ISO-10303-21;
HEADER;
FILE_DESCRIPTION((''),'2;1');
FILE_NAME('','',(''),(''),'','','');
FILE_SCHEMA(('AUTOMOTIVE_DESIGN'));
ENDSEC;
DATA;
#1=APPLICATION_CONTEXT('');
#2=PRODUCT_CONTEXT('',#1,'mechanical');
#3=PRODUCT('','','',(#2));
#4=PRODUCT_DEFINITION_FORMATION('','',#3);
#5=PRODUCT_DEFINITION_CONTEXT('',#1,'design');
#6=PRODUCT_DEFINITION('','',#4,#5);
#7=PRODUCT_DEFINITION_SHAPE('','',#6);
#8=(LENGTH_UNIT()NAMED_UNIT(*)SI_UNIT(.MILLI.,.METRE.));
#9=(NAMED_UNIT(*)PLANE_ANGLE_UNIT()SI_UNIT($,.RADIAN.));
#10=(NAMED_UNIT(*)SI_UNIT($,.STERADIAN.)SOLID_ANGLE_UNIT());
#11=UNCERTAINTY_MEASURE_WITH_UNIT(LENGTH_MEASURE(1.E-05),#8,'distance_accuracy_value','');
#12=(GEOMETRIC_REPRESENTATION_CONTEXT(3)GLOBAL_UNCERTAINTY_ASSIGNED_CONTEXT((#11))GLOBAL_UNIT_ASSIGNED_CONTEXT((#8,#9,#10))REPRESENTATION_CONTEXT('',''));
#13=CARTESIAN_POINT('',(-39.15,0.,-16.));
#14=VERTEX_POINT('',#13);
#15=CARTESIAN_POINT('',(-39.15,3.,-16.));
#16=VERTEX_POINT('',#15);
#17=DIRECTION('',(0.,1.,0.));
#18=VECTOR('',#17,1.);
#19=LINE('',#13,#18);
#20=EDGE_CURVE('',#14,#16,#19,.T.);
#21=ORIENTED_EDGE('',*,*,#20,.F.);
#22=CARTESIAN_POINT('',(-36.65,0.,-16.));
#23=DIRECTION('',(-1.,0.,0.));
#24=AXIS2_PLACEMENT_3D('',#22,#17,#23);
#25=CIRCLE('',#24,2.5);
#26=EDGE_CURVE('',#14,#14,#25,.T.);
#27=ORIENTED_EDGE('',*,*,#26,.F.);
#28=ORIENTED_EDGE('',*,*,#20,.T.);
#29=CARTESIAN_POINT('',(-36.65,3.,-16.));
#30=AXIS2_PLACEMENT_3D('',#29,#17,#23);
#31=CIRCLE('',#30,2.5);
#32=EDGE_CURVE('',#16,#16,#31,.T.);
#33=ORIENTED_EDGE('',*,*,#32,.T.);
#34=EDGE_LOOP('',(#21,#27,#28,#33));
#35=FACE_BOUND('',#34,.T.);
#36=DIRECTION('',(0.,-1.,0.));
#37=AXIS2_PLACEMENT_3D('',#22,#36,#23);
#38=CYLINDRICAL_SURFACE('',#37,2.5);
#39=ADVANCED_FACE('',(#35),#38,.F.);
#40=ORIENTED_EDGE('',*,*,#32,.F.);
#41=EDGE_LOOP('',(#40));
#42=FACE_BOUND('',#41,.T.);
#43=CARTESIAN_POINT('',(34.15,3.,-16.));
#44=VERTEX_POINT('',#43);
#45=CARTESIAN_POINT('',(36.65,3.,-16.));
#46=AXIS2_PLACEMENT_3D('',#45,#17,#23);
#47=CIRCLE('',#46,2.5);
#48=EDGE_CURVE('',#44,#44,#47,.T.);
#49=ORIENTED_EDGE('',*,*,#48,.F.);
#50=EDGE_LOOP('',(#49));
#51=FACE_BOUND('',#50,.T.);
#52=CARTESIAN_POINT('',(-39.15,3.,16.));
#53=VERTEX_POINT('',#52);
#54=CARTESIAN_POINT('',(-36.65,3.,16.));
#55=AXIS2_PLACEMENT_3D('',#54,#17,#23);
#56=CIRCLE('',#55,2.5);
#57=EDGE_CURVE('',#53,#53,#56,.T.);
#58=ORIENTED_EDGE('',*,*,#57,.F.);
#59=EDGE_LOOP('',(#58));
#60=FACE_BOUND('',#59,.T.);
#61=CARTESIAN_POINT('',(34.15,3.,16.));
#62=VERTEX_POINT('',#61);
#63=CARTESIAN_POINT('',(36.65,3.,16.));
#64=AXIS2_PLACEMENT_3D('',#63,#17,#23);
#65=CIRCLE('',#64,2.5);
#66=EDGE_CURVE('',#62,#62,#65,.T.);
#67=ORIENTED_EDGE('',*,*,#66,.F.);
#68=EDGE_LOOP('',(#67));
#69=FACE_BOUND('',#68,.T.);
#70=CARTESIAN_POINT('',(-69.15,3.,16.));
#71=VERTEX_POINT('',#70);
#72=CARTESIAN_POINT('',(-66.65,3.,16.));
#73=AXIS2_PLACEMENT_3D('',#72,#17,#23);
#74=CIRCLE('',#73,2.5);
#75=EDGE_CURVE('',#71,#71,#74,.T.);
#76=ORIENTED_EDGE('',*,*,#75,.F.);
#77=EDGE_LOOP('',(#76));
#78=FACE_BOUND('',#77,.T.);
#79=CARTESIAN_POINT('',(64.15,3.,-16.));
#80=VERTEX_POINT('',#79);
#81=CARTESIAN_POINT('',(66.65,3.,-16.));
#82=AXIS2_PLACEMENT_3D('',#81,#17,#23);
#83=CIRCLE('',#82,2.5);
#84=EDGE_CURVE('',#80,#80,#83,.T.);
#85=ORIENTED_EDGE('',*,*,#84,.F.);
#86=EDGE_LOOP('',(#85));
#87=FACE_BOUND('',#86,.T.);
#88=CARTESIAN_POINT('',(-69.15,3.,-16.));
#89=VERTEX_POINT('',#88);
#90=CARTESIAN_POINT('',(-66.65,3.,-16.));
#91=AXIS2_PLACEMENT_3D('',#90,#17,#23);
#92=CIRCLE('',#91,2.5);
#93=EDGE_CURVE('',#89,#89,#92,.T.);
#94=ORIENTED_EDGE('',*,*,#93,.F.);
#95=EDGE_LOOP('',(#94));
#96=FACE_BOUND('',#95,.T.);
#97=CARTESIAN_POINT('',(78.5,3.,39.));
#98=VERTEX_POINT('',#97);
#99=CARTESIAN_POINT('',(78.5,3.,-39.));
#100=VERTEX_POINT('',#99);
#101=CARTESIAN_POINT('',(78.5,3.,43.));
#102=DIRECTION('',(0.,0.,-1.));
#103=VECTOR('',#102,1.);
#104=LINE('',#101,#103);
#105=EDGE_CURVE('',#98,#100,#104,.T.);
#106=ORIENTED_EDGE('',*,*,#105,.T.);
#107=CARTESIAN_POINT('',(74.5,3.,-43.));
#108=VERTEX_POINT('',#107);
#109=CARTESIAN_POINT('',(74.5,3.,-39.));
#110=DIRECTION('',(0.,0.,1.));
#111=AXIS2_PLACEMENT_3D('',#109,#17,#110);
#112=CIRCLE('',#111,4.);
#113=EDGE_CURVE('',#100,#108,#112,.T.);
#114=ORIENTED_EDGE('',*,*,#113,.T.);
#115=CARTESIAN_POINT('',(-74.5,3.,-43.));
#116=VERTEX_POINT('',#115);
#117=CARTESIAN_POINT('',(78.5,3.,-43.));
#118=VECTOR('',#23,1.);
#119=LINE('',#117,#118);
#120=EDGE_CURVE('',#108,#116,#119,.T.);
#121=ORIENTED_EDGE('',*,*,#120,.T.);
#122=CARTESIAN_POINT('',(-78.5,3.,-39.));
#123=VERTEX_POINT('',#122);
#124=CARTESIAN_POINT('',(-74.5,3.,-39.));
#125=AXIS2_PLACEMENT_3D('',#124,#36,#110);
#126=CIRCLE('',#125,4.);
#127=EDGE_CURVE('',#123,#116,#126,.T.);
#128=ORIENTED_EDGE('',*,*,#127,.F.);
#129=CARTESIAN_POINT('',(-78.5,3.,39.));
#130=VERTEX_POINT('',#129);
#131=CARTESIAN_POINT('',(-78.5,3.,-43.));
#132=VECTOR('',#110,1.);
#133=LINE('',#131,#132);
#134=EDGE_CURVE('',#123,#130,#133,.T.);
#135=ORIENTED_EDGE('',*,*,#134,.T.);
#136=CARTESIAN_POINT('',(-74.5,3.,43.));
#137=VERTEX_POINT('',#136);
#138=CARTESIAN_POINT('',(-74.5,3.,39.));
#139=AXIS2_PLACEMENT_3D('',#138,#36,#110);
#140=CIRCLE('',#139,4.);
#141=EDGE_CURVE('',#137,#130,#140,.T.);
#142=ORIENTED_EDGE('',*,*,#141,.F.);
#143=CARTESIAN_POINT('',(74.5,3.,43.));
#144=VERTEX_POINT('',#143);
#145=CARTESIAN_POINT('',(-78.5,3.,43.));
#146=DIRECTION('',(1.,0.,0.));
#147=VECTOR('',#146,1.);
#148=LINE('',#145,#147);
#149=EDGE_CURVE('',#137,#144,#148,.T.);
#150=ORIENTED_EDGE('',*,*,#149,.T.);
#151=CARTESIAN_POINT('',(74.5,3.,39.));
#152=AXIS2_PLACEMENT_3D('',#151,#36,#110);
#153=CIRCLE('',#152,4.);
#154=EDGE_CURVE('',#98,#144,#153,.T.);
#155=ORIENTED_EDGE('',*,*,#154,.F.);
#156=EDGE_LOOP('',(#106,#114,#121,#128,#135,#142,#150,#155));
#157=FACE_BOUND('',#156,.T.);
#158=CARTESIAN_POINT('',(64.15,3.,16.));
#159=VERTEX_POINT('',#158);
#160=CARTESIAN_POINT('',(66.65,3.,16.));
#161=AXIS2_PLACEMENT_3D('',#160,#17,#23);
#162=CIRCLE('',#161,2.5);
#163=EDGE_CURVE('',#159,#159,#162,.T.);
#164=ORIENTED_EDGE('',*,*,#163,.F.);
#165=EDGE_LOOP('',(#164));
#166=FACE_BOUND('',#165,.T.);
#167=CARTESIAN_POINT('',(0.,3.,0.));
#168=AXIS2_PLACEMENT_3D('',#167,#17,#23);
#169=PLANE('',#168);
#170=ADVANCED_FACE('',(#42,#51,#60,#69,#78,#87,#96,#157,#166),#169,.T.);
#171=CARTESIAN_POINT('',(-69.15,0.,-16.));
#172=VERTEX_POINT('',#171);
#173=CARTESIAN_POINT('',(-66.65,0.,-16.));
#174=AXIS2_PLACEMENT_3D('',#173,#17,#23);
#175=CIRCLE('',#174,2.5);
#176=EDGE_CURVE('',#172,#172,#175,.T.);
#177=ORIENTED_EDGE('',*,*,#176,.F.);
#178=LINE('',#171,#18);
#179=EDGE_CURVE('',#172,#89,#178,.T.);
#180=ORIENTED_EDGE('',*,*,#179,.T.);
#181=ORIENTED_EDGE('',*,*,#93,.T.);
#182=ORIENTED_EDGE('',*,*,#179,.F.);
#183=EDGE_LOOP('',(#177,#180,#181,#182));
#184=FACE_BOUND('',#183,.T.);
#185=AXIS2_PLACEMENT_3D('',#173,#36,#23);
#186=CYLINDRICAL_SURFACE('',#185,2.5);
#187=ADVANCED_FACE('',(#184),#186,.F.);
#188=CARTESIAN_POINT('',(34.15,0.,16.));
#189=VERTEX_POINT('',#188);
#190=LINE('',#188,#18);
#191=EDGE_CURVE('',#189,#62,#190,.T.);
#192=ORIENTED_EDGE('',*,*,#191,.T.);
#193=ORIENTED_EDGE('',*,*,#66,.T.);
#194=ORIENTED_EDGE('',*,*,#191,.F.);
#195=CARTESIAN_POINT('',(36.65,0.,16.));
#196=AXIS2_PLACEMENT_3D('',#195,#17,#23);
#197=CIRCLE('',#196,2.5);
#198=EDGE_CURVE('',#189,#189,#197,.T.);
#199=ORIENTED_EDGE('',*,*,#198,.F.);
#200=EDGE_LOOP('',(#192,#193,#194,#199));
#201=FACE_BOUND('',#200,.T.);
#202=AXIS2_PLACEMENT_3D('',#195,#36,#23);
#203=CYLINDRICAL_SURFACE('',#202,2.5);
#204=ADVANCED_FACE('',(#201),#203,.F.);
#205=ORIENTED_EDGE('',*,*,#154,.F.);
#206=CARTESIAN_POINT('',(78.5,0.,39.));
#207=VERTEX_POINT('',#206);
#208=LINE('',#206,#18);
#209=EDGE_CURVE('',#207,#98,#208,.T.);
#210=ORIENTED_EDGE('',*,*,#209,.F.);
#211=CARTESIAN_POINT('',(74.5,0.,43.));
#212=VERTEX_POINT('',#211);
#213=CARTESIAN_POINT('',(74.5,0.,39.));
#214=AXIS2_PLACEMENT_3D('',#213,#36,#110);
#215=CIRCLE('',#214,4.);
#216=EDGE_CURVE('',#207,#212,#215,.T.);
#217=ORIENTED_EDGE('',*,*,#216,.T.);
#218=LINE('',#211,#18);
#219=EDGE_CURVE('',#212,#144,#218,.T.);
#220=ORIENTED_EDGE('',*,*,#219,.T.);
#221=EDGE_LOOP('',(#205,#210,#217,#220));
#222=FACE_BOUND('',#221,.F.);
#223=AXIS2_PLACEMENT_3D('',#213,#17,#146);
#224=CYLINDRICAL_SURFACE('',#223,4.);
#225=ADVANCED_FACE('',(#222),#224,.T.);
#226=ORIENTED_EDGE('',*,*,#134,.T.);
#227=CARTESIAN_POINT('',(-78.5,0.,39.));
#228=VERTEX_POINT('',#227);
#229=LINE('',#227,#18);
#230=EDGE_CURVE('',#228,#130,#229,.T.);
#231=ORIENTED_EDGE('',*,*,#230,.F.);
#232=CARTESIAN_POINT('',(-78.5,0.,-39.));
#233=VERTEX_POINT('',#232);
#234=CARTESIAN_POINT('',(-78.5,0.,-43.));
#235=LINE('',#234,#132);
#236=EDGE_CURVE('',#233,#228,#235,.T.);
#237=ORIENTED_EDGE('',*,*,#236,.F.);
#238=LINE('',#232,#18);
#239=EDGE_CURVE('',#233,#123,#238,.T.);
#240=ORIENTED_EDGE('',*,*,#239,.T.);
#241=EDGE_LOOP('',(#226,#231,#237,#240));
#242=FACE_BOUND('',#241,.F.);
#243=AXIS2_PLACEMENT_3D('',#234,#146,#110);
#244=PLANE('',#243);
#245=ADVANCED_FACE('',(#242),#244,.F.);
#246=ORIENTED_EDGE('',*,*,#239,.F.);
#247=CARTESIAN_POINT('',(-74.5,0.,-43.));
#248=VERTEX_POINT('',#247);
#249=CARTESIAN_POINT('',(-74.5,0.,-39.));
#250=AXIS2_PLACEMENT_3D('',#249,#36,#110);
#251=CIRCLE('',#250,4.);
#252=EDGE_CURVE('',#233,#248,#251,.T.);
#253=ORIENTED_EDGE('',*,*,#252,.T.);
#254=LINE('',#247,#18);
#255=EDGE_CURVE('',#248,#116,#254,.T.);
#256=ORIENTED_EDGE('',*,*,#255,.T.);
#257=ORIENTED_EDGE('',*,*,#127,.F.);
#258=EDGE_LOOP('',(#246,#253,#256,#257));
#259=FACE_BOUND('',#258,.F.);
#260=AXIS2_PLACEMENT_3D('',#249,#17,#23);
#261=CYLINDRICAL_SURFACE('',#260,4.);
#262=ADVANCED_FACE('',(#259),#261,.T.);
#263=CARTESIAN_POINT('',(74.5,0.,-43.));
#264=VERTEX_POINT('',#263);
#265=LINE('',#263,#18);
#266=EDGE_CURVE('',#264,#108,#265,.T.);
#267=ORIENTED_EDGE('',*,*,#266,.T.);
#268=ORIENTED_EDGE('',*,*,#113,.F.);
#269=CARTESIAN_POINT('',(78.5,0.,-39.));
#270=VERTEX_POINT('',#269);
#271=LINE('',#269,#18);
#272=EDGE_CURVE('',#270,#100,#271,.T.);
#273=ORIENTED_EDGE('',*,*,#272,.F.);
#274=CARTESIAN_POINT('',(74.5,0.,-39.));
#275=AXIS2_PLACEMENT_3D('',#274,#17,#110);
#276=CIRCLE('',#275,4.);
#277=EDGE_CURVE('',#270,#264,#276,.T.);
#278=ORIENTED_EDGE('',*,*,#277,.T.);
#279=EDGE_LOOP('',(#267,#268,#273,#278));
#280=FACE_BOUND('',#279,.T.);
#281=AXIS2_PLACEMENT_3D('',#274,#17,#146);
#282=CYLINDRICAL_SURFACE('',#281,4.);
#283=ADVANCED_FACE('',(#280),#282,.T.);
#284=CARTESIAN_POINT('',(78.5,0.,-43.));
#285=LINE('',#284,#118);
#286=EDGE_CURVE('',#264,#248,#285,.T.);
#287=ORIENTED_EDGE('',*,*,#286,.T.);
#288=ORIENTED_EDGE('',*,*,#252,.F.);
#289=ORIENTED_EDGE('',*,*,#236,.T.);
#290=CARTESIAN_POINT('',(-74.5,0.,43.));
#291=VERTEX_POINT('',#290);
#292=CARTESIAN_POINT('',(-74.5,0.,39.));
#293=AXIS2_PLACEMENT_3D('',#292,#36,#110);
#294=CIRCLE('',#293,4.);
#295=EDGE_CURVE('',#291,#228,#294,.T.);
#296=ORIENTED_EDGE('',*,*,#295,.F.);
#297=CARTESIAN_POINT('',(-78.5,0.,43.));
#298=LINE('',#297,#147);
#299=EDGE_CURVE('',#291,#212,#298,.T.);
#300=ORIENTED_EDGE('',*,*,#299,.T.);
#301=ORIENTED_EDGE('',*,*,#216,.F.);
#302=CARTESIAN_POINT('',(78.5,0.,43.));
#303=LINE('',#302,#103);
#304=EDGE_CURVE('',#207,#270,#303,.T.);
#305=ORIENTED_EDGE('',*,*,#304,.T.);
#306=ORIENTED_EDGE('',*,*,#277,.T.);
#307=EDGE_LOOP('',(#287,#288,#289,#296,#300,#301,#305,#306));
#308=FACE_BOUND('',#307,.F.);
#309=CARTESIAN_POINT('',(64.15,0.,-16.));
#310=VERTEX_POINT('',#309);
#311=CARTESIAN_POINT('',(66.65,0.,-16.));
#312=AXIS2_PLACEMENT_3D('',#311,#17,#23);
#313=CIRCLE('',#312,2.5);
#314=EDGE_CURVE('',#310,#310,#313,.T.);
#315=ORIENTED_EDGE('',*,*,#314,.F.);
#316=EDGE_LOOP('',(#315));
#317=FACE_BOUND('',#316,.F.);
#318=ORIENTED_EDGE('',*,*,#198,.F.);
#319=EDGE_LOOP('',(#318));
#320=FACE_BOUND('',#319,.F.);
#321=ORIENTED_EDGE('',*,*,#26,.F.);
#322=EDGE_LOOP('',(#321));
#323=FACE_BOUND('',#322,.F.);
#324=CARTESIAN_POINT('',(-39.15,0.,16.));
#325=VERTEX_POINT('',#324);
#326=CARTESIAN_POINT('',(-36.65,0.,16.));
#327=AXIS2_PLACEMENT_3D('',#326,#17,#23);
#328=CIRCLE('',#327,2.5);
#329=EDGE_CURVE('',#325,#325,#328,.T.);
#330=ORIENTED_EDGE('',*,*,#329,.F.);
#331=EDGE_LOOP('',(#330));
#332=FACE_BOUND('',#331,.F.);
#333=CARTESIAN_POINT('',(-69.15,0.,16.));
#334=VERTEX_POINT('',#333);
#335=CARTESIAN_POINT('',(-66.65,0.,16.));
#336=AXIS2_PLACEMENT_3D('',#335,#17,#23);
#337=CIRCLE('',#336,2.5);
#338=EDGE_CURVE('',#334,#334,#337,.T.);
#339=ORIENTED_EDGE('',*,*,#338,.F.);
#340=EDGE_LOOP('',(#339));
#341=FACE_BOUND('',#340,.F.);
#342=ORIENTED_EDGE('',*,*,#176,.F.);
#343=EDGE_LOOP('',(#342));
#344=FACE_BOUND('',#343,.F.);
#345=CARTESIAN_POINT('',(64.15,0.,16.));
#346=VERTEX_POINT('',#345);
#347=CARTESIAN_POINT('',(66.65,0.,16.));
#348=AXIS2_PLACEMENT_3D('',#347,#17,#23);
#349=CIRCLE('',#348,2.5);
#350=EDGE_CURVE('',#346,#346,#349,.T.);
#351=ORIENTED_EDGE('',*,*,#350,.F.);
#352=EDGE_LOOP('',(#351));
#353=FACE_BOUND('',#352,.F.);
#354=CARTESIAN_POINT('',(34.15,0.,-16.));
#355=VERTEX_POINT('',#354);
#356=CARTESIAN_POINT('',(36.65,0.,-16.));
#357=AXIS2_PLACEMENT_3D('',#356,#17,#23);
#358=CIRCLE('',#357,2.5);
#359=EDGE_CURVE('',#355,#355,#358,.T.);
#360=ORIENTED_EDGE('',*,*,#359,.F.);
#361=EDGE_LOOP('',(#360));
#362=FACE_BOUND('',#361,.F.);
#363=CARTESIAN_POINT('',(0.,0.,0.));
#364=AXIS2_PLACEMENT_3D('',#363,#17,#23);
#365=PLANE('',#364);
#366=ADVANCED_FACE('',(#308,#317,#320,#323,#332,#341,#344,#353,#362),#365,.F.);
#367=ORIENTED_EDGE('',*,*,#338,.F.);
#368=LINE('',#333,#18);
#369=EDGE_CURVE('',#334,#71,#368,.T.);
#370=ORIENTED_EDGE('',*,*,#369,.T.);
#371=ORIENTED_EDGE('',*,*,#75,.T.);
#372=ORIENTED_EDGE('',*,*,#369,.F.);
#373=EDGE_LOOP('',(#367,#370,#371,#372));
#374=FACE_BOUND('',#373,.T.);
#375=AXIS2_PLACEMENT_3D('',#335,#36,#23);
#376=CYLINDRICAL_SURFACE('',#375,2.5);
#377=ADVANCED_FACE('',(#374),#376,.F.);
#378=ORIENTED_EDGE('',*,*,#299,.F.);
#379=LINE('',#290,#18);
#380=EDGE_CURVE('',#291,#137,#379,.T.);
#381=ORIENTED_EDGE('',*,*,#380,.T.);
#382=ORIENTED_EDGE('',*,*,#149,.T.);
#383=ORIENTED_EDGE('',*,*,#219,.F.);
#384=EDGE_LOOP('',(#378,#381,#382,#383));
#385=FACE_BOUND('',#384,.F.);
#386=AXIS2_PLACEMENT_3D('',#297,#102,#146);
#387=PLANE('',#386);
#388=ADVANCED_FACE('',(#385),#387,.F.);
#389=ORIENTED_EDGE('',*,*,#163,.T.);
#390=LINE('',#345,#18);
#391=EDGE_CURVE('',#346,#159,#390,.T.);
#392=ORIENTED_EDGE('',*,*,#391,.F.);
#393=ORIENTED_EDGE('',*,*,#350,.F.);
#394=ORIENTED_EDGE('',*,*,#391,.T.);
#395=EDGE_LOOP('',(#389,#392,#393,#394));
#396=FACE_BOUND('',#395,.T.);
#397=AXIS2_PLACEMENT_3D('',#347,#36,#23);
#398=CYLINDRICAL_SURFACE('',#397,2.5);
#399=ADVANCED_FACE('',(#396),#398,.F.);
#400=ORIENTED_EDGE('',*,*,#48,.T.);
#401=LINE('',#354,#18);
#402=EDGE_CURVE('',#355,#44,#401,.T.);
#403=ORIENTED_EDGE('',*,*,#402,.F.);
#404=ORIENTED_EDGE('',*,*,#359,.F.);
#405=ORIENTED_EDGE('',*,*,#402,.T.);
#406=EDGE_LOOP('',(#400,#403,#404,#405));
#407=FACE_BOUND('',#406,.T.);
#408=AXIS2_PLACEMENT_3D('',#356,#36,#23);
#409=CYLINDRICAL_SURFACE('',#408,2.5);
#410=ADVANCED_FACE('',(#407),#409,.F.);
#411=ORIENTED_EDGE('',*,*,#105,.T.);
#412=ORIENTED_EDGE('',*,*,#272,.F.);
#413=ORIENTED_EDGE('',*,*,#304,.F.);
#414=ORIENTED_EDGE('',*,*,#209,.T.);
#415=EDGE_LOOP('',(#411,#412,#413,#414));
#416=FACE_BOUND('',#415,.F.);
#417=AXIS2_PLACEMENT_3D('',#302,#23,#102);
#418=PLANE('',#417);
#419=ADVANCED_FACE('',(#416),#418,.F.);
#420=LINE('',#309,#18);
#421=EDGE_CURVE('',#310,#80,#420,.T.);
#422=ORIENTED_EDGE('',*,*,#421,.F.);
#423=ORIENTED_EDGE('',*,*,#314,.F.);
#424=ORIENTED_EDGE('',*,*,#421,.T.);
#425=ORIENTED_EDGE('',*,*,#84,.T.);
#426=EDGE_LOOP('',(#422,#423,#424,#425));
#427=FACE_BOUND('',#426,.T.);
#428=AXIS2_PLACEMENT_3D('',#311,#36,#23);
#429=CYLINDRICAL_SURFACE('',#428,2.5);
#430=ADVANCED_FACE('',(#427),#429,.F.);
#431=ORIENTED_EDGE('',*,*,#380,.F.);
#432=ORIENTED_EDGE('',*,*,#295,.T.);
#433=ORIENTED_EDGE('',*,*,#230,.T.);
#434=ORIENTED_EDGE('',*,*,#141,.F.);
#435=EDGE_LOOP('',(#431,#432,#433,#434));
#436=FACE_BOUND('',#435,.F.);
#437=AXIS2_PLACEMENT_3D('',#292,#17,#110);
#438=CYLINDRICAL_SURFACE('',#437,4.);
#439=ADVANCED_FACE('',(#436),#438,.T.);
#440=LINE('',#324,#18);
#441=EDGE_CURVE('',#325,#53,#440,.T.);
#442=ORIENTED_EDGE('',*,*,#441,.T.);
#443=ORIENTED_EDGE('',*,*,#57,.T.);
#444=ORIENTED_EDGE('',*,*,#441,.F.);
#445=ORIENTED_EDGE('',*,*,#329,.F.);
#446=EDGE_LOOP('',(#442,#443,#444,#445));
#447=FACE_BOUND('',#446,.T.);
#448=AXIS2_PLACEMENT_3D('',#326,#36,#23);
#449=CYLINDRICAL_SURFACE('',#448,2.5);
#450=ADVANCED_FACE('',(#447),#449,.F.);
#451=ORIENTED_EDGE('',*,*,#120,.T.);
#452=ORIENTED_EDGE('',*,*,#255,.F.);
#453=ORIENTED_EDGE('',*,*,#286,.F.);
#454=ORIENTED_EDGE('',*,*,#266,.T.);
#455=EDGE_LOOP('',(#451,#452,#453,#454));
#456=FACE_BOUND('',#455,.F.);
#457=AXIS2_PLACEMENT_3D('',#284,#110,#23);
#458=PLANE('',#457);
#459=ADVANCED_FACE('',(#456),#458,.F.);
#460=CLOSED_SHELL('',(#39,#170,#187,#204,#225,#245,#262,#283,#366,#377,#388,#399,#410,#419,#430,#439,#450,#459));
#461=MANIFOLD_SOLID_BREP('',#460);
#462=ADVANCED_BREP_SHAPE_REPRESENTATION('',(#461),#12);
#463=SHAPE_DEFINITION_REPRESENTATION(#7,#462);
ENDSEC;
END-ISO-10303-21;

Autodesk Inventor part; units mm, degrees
ref_plane "YZ Plane" through (0, 0, 0) normal (1, 0, 0) x (0, 1, 0)
ref_plane "XZ Plane" through (0, 0, 0) normal (0, 1, 0) x (-1, 0, 0)
ref_plane "XY Plane" through (0, 0, 0) normal (0, 0, 1) x (1, 0, 0)
sketch "Sketch1" plane through (0, 0, 0) normal (0, 1, 0) x (-1, 0, 0)
  line L0 (-78.5, -43) -> (78.5, -43)
  line L1 (78.5, -43) -> (78.5, 43)
  line L2 (78.5, 43) -> (-78.5, 43)
  line L3 (-78.5, 43) -> (-78.5, -43)
  line L4 (-78.5, -43) -> (78.5, 43) construction
  line L5 (78.5, -43) -> (-78.5, 43) construction
  circle A0 centre (-66.65, 16) radius 2.5
  circle A1 centre (-36.65, 16) radius 2.5
  line L6 (-66.65, 16) -> (-36.65, 16) construction
  circle A2 centre (-66.65, -16) radius 2.5
  circle A3 centre (-36.65, -16) radius 2.5
  line L7 (-66.65, -16) -> (-36.65, -16) construction
  line L8 (-51.65, 16) -> (-51.65, -16) construction
  line L9 (36.65, -16) -> (66.65, -16) construction
  circle A4 centre (66.65, -16) radius 2.5
  circle A5 centre (36.65, -16) radius 2.5
  line L10 (36.65, 16) -> (66.65, 16) construction
  circle A6 centre (66.65, 16) radius 2.5
  circle A7 centre (36.65, 16) radius 2.5
  line L11 (51.65, 16) -> (51.65, -16) construction
  line L12 (51.65, 0) -> (0, 0) construction
  line L13 (0, 0) -> (-51.65, 0) construction
  line L14 (29, -22) -> (74.3, -22) construction
  line L15 (74.3, -22) -> (74.3, 22) construction
  line L16 (74.3, 22) -> (29, 22) construction
  line L17 (29, 22) -> (29, -22) construction
  line L18 (29, -22) -> (74.3, 22) construction
  line L19 (74.3, -22) -> (29, 22) construction
  line L20 (-74.3, -22) -> (-29, -22) construction
  line L21 (-29, -22) -> (-29, 22) construction
  line L22 (-29, 22) -> (-74.3, 22) construction
  line L23 (-74.3, 22) -> (-74.3, -22) construction
  line L24 (-74.3, -22) -> (-29, 22) construction
  line L25 (-29, -22) -> (-74.3, 22) construction
  dimension "d0" = 157
  dimension "d1" = 86
  dimension "d2" = 5
  dimension "d3" = 5
  dimension "d4" = 30
  dimension "d5" = 5
  dimension "d6" = 5
  dimension "d7" = 30
  dimension "d8" = 32
  dimension "d9" = 5
  dimension "d10" = 5
  dimension "d11" = 30
  dimension "d12" = 5
  dimension "d13" = 5
  dimension "d14" = 30
  dimension "d15" = 32
  dimension "d16" = 45.3
  dimension "d17" = 44
  dimension "d18" = 45.3
  dimension "d19" = 44
  dimension "d20" = 58
extrude "Extrusion1" add sketch "Sketch1" along normal blind 3
fillet "Fillet1" radius 4 4 edges at (-78.5, 1.5, 43) (78.5, 1.5, 43) (78.5, 1.5, -43) (-78.5, 1.5, -43)
equation "\"d3\" = d2"
equation "\"d6\" = d5"
equation "\"d7\" = d4"
equation "\"d10\" = d9"
equation "\"d11\" = d4"
equation "\"d13\" = d12"
equation "\"d14\" = d4"
properties part number "X Axis Base Plate"
